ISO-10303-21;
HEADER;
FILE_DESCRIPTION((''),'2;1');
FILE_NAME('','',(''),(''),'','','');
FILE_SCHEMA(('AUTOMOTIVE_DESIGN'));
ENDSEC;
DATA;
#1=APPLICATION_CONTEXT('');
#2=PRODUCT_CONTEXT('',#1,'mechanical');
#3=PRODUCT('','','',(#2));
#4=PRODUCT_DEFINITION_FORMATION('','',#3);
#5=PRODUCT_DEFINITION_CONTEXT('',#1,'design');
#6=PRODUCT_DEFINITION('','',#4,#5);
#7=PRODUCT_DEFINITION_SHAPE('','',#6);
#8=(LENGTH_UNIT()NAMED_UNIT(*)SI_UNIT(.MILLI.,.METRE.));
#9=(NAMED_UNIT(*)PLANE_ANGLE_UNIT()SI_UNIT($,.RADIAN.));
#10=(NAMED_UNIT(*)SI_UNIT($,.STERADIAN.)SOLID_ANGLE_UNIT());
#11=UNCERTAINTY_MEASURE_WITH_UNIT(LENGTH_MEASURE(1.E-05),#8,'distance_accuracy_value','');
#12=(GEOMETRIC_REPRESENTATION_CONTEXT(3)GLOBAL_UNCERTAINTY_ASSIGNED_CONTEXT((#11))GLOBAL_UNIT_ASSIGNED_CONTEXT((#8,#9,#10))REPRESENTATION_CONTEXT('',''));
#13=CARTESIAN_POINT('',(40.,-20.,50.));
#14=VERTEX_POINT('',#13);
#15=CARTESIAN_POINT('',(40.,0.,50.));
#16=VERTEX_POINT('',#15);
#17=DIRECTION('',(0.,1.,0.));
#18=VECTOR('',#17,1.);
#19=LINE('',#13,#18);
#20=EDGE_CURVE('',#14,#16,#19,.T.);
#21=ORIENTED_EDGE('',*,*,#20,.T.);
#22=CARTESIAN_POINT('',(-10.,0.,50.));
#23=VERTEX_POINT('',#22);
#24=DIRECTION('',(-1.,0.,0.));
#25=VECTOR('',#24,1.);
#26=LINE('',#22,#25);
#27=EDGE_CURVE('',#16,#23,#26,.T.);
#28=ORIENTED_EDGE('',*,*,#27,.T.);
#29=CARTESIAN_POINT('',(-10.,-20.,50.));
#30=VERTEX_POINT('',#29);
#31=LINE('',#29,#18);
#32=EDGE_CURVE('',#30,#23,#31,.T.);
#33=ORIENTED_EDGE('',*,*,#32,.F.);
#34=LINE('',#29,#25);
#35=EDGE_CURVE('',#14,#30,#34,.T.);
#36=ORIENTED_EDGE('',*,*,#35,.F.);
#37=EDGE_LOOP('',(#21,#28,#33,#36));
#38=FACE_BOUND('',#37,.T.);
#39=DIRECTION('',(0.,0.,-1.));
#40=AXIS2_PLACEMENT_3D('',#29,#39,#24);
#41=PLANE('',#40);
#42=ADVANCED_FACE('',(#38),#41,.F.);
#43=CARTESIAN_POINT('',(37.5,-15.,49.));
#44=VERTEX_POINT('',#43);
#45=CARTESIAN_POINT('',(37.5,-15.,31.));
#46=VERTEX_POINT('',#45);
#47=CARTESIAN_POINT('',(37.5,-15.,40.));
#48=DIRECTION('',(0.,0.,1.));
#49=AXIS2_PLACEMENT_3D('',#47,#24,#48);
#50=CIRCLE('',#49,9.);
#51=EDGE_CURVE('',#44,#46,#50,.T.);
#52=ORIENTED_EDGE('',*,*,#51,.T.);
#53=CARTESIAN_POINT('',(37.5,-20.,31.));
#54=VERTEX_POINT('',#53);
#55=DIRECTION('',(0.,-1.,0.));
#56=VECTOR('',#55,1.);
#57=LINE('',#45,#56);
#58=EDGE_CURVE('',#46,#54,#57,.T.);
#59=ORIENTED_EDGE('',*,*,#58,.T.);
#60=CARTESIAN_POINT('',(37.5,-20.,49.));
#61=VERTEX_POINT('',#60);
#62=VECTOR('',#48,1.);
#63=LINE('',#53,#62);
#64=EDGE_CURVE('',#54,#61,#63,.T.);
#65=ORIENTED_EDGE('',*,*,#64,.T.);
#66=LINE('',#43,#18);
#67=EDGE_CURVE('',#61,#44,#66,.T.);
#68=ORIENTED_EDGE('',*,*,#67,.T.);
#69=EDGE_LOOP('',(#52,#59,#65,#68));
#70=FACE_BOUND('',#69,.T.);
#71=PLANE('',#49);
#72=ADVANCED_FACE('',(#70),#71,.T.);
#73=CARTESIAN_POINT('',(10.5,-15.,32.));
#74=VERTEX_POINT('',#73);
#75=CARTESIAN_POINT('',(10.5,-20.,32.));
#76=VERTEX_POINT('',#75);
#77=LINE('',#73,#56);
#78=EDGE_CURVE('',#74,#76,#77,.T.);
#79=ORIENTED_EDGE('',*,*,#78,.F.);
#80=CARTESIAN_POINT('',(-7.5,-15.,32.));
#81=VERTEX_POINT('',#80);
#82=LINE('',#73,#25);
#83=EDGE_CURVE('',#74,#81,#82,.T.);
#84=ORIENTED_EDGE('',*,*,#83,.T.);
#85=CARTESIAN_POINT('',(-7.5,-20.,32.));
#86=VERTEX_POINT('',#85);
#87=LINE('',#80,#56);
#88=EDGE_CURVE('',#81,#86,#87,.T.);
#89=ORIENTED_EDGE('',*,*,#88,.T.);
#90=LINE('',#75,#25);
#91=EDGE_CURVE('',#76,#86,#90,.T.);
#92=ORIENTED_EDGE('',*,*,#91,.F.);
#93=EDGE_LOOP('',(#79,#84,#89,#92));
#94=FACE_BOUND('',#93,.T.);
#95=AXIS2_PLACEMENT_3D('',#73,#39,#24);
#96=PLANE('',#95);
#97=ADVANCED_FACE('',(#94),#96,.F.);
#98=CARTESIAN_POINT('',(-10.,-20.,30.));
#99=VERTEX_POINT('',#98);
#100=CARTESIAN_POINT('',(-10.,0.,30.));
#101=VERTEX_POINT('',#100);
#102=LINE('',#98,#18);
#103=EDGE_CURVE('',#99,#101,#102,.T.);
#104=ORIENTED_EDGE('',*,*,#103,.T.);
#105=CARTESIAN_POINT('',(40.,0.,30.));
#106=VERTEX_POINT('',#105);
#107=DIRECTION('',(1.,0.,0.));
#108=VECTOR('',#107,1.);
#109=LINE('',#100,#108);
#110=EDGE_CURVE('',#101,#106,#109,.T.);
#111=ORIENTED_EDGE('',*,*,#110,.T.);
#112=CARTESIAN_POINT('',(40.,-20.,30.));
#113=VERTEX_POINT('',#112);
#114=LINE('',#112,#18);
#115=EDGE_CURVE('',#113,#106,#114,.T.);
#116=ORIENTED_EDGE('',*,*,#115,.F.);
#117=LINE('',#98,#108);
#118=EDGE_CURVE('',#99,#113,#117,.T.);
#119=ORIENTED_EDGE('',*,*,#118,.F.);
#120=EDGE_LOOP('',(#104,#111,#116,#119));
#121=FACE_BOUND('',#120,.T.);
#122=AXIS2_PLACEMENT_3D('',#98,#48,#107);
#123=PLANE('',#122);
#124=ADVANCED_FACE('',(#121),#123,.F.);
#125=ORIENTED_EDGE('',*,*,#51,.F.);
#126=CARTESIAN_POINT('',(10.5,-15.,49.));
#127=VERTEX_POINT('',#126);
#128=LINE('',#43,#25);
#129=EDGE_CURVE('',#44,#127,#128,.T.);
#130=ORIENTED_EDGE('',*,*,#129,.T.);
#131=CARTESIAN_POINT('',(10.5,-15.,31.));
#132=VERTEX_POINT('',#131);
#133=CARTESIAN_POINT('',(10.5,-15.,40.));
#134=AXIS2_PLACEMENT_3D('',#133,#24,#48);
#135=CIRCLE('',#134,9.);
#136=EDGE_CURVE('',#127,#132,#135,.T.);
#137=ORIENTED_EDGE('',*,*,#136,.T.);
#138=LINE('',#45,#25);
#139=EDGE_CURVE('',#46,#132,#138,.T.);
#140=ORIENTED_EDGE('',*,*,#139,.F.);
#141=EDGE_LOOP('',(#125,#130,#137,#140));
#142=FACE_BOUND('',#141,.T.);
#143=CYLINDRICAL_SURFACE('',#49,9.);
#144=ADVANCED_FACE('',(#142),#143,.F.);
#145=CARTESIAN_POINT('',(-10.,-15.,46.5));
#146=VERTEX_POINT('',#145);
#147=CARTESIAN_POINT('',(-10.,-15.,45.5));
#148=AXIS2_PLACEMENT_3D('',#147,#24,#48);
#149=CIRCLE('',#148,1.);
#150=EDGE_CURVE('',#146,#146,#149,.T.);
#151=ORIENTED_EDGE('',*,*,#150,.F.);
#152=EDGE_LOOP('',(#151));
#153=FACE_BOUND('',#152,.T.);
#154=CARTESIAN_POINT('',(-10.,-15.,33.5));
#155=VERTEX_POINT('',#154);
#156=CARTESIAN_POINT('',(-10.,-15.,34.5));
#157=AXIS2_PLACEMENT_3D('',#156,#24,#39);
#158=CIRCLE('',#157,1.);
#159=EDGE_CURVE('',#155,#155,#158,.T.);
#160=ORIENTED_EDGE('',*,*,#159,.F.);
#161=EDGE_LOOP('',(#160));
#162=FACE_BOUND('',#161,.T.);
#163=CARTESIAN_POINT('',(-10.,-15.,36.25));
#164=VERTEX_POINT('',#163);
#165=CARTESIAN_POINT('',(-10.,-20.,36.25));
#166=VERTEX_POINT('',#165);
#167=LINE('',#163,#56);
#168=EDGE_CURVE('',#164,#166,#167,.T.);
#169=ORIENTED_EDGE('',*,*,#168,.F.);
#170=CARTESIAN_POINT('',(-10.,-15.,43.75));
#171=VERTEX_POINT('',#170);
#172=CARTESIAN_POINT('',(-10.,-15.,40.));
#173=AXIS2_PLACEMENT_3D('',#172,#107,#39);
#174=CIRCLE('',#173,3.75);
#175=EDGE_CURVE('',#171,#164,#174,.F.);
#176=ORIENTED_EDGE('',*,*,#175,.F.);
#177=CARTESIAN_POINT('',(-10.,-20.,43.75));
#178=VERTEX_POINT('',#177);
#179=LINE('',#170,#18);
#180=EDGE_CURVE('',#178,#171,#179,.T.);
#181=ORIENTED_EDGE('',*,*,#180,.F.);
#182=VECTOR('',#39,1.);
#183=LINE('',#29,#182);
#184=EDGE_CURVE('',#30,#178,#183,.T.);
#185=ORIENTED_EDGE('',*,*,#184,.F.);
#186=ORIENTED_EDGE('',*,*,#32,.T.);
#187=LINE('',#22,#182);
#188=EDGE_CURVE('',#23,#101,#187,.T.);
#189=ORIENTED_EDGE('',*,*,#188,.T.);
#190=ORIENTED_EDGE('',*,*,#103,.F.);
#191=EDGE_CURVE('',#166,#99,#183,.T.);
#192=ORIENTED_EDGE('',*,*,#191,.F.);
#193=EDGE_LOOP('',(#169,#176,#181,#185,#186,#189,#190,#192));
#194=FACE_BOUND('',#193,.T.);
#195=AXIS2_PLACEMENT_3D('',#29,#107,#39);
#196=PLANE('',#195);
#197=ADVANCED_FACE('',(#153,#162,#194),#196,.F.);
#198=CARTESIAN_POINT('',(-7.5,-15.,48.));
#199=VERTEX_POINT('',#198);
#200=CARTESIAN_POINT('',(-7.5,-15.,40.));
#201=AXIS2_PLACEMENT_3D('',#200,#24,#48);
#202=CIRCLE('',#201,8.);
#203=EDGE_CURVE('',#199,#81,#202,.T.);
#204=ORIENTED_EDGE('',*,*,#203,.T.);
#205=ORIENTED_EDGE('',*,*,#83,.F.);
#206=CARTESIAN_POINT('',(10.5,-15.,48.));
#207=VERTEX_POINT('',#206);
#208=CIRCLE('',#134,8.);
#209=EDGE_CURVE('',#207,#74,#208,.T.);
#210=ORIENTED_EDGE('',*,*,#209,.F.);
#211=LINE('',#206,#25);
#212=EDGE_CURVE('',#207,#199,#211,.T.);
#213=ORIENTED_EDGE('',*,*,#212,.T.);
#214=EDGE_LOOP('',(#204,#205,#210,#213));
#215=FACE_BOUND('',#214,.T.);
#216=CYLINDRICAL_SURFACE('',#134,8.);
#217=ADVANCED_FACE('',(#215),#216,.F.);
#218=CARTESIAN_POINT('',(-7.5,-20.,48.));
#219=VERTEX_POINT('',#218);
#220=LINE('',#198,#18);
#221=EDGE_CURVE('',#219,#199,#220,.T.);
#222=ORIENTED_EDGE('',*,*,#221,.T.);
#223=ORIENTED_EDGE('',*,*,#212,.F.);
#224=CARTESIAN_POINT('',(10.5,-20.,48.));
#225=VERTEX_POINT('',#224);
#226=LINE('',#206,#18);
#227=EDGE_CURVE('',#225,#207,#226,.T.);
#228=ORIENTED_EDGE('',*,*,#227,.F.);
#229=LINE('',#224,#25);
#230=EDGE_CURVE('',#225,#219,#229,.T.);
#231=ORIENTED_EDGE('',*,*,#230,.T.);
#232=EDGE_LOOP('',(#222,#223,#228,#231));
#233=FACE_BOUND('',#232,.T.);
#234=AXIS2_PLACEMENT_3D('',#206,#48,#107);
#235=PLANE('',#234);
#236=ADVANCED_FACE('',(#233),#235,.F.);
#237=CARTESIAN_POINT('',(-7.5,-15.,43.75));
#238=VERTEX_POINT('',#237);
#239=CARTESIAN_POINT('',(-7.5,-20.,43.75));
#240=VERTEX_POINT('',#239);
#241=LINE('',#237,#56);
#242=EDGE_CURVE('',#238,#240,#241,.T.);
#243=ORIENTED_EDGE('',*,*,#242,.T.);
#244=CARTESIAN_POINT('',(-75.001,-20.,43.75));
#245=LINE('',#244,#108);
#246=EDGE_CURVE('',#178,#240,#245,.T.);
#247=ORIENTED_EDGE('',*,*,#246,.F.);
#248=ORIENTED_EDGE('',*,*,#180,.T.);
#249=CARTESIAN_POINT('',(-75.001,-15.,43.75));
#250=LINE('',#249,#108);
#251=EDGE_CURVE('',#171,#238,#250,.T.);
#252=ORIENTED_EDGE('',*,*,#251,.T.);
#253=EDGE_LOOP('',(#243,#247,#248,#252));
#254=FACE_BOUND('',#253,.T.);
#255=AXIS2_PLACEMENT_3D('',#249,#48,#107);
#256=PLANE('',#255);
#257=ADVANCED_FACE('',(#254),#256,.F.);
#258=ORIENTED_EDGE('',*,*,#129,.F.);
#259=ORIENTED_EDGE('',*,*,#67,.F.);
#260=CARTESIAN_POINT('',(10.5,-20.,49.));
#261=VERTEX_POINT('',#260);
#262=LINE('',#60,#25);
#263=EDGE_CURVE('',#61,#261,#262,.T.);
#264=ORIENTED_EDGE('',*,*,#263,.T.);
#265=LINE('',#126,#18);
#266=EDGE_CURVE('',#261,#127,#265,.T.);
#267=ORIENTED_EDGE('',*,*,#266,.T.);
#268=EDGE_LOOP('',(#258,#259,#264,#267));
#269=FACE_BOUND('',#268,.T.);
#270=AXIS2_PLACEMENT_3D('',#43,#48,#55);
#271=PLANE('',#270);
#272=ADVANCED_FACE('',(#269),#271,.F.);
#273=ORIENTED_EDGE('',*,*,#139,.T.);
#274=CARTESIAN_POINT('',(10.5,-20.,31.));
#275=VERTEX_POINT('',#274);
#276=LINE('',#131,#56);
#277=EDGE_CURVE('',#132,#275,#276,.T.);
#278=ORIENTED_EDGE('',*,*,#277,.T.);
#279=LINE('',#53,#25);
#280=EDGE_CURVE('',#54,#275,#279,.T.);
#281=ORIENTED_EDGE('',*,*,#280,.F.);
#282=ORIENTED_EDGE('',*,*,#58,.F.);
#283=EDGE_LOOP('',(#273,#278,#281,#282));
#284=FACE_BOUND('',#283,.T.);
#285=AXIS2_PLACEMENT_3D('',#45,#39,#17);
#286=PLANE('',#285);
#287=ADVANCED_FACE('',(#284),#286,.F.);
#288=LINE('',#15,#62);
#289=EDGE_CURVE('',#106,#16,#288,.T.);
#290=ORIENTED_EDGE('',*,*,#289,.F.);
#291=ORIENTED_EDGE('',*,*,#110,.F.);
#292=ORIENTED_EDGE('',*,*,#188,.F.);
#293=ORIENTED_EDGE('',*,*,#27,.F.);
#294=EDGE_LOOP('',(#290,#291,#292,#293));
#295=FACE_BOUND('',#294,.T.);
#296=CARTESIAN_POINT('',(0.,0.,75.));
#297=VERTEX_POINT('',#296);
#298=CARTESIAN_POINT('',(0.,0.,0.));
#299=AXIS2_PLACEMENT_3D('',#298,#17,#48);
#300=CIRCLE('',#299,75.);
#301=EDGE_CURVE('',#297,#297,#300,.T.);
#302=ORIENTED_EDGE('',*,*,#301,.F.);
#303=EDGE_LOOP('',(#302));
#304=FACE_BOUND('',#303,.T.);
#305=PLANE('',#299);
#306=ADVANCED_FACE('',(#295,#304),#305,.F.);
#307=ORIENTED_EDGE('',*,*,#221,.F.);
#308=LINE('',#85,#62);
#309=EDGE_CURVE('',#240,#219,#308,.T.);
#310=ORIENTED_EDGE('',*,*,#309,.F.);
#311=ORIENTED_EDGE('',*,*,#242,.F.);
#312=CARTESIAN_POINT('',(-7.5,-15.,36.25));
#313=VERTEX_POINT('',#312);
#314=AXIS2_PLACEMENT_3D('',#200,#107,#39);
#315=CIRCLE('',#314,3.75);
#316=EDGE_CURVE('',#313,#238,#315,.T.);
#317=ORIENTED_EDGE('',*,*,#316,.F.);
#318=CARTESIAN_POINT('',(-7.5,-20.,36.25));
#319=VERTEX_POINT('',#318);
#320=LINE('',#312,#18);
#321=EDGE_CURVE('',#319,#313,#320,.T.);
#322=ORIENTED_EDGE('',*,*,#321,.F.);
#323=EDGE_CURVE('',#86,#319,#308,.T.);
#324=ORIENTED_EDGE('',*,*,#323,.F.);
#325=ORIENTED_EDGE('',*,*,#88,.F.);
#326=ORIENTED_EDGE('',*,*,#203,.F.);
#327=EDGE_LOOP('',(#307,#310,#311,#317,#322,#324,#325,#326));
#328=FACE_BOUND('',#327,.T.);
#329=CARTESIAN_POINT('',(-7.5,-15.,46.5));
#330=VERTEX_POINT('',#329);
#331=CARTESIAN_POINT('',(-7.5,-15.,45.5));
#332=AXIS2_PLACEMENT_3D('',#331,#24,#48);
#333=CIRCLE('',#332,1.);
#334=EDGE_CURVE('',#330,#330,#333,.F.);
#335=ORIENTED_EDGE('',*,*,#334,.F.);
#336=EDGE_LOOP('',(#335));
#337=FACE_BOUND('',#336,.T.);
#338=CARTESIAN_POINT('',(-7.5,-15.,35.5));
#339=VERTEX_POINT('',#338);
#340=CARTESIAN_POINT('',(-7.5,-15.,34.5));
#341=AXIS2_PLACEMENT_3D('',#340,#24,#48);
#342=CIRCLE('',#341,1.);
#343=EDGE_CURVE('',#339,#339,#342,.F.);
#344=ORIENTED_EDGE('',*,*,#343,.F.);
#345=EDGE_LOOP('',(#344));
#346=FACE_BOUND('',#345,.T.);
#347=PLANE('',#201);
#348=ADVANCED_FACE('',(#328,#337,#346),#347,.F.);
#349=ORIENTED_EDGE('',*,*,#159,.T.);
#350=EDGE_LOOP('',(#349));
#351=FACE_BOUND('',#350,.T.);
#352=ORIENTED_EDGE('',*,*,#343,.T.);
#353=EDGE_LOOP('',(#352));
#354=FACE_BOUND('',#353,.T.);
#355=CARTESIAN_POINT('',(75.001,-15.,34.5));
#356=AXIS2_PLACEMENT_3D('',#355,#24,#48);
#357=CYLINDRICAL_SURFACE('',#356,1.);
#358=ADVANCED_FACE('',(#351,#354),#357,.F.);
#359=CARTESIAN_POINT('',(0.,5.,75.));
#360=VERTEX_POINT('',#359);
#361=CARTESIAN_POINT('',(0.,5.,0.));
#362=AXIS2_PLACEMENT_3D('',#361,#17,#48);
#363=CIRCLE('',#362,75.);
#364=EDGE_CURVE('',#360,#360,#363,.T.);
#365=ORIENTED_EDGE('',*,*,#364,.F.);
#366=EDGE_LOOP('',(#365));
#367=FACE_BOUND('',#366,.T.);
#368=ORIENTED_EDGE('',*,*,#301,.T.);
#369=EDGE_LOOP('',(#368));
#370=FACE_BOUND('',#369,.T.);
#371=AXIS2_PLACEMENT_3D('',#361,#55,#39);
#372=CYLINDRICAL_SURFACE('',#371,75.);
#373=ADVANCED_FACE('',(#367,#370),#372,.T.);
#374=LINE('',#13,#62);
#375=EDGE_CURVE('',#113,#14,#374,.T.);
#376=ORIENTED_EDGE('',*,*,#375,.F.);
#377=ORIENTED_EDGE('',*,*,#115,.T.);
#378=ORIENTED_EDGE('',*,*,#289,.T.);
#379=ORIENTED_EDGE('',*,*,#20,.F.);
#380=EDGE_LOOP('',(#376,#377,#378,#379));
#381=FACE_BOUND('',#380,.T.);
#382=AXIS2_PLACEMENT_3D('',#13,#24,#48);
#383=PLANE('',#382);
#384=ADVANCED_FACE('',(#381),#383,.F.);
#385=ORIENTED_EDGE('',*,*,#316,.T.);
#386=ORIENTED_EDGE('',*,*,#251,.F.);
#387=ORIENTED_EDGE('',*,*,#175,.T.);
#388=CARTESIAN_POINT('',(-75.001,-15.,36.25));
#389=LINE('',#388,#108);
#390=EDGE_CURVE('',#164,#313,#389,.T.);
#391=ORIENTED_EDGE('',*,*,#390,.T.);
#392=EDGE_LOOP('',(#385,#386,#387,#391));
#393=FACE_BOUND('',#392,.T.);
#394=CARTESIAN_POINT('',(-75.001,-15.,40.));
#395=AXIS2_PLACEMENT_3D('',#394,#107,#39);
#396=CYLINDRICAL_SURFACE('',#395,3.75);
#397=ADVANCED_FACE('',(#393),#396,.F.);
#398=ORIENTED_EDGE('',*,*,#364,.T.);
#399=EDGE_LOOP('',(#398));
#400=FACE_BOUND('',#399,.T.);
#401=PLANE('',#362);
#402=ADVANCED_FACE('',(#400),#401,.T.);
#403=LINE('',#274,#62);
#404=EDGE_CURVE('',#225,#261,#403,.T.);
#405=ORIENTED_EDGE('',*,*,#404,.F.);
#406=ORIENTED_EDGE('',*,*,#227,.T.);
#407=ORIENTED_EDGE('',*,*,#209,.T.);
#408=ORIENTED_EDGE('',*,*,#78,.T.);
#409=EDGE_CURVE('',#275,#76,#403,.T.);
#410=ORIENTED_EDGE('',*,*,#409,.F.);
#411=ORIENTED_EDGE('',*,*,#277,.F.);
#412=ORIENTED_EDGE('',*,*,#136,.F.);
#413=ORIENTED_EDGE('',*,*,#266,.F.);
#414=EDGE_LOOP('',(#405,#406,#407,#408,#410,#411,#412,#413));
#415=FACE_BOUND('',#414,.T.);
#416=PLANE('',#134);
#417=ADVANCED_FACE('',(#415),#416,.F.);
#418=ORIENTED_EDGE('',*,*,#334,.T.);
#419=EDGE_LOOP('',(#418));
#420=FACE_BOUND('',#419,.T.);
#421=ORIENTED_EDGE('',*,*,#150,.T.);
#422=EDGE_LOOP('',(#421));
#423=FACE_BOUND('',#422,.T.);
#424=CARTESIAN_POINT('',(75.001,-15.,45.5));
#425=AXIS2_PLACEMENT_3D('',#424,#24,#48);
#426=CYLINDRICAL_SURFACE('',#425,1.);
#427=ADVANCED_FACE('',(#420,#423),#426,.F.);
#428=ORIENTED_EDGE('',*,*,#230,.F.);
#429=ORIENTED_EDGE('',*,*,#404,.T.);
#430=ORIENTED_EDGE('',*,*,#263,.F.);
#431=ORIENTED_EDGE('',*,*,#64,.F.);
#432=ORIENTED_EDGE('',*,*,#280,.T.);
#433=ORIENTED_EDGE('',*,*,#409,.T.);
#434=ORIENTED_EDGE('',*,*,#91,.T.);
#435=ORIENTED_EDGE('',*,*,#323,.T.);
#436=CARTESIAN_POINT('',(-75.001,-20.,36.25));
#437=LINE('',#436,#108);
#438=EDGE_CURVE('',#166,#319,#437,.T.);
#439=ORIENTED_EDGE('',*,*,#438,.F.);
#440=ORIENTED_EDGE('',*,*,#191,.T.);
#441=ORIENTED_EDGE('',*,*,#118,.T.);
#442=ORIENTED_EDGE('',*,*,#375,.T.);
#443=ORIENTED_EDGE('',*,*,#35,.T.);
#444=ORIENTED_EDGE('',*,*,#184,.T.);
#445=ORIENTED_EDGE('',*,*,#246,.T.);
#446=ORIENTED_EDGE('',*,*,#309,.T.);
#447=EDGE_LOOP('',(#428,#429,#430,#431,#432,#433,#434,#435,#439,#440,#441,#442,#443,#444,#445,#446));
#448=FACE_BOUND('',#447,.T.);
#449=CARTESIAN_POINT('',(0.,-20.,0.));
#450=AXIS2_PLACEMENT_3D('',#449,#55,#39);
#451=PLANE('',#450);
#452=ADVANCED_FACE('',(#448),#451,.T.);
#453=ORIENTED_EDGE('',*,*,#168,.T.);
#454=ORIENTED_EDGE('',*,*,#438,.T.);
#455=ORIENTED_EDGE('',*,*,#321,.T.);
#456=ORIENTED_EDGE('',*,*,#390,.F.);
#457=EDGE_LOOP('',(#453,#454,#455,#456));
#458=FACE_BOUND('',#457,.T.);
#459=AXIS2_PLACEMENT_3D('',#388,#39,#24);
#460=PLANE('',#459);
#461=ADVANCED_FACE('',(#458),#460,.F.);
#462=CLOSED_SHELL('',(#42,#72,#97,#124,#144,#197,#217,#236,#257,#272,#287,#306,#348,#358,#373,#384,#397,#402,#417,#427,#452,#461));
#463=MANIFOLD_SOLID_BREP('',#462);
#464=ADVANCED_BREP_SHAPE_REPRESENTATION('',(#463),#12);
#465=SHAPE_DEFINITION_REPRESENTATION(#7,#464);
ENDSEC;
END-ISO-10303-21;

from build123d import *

# Parameters (mm, degrees)
SKETCH1_R           = 75
BOSS_EXTRUDE1_DEPTH = 5
SKETCH2_W           = 50
SKETCH2_H           = 20
BOSS_EXTRUDE2_DEPTH = 20
CUT_EXTRUDE1_START  = -2.5
CUT_EXTRUDE1_DEPTH  = 18
CUT_EXTRUDE2_DEPTH  = 27
CUT_EXTRUDE3_REACH  = 115.275
CUT_EXTRUDE4_REACH  = 117.109
SKETCH6_R           = 1


with BuildPart() as part:
    # Sketch1 → Boss-Extrude1 (new body)
    with BuildSketch(Plane(origin=(0, 0, 0), x_dir=(1, 0, 0), z_dir=(0, 1, 0))):
        with Locations(Location((0, 0, 0), (0, 0, 270))):
            Circle(SKETCH1_R)
    extrude(amount=BOSS_EXTRUDE1_DEPTH)

    # Sketch2 → Boss-Extrude2 (add)
    with BuildSketch(Plane(origin=(0, 0, 0), x_dir=(-1, 0, 0), z_dir=(0, -1, 0))):
        with Locations((-15, -40)):
            Rectangle(SKETCH2_W, SKETCH2_H)
    extrude(amount=BOSS_EXTRUDE2_DEPTH)

    # Sketch3 → Cut-Extrude1 (cut)
    with BuildSketch(Plane.ZY.offset(10).offset(CUT_EXTRUDE1_START)):
        with BuildLine():
            Line((32, -15), (32, -20))
            Line((32, -20), (48, -20))
            Line((48, -20), (48, -15))
            ThreePointArc((48, -15), (40, -7), (32, -15))
        make_face()
    extrude(amount=-CUT_EXTRUDE1_DEPTH, mode=Mode.SUBTRACT)

    # Sketch4 → Cut-Extrude2 (cut)
    with BuildSketch(Plane.ZY.offset(-10.5)):
        with BuildLine():
            Line((31, -15), (31, -20))
            Line((31, -20), (49, -20))
            Line((49, -20), (49, -15))
            ThreePointArc((49, -15), (40, -6), (31, -15))
        make_face()
    extrude(amount=-CUT_EXTRUDE2_DEPTH, mode=Mode.SUBTRACT)

    # Sketch5 → Cut-Extrude3 (cut, up to next)
    with BuildSketch(Plane(origin=(-7.5, 0, 0), x_dir=(0, 0, -1), z_dir=(1, 0, 0)), mode=Mode.PRIVATE) as cut_extrude3_sk1:
        with BuildLine():
            Line((-36.25, -15), (-36.25, -20))
            Line((-36.25, -20), (-43.75, -20))
            Line((-43.75, -20), (-43.75, -15))
            ThreePointArc((-43.75, -15), (-40, -11.25), (-36.25, -15))
        make_face()
    cut_extrude3_tool1 = extrude(cut_extrude3_sk1.sketch, amount=-CUT_EXTRUDE3_REACH, mode=Mode.PRIVATE) & part.part
    add(cut_extrude3_tool1.solids().sort_by_distance((-7.5, -15.983293, 40))[0], mode=Mode.SUBTRACT)

    # Sketch6 → Cut-Extrude4 (cut, up to next)
    with BuildSketch(Plane.ZY.offset(10), mode=Mode.PRIVATE) as cut_extrude4_sk1:
        with Locations((45.5, -15)):
            Circle(SKETCH6_R)
    cut_extrude4_tool1 = extrude(cut_extrude4_sk1.sketch, amount=-CUT_EXTRUDE4_REACH, mode=Mode.PRIVATE) & part.part
    # Sketch6 → Cut-Extrude4 (cut, up to next)
    with BuildSketch(Plane.ZY.offset(10), mode=Mode.PRIVATE) as cut_extrude4_sk2:
        with Locations((34.5, -15)):
            Circle(SKETCH6_R)
    cut_extrude4_tool2 = extrude(cut_extrude4_sk2.sketch, amount=-CUT_EXTRUDE4_REACH, mode=Mode.PRIVATE) & part.part
    add(cut_extrude4_tool1.solids().sort_by_distance((-10, -15, 45.5))[0], mode=Mode.SUBTRACT)
    add(cut_extrude4_tool2.solids().sort_by_distance((-10, -15, 34.5))[0], mode=Mode.SUBTRACT)


solid = part.part
